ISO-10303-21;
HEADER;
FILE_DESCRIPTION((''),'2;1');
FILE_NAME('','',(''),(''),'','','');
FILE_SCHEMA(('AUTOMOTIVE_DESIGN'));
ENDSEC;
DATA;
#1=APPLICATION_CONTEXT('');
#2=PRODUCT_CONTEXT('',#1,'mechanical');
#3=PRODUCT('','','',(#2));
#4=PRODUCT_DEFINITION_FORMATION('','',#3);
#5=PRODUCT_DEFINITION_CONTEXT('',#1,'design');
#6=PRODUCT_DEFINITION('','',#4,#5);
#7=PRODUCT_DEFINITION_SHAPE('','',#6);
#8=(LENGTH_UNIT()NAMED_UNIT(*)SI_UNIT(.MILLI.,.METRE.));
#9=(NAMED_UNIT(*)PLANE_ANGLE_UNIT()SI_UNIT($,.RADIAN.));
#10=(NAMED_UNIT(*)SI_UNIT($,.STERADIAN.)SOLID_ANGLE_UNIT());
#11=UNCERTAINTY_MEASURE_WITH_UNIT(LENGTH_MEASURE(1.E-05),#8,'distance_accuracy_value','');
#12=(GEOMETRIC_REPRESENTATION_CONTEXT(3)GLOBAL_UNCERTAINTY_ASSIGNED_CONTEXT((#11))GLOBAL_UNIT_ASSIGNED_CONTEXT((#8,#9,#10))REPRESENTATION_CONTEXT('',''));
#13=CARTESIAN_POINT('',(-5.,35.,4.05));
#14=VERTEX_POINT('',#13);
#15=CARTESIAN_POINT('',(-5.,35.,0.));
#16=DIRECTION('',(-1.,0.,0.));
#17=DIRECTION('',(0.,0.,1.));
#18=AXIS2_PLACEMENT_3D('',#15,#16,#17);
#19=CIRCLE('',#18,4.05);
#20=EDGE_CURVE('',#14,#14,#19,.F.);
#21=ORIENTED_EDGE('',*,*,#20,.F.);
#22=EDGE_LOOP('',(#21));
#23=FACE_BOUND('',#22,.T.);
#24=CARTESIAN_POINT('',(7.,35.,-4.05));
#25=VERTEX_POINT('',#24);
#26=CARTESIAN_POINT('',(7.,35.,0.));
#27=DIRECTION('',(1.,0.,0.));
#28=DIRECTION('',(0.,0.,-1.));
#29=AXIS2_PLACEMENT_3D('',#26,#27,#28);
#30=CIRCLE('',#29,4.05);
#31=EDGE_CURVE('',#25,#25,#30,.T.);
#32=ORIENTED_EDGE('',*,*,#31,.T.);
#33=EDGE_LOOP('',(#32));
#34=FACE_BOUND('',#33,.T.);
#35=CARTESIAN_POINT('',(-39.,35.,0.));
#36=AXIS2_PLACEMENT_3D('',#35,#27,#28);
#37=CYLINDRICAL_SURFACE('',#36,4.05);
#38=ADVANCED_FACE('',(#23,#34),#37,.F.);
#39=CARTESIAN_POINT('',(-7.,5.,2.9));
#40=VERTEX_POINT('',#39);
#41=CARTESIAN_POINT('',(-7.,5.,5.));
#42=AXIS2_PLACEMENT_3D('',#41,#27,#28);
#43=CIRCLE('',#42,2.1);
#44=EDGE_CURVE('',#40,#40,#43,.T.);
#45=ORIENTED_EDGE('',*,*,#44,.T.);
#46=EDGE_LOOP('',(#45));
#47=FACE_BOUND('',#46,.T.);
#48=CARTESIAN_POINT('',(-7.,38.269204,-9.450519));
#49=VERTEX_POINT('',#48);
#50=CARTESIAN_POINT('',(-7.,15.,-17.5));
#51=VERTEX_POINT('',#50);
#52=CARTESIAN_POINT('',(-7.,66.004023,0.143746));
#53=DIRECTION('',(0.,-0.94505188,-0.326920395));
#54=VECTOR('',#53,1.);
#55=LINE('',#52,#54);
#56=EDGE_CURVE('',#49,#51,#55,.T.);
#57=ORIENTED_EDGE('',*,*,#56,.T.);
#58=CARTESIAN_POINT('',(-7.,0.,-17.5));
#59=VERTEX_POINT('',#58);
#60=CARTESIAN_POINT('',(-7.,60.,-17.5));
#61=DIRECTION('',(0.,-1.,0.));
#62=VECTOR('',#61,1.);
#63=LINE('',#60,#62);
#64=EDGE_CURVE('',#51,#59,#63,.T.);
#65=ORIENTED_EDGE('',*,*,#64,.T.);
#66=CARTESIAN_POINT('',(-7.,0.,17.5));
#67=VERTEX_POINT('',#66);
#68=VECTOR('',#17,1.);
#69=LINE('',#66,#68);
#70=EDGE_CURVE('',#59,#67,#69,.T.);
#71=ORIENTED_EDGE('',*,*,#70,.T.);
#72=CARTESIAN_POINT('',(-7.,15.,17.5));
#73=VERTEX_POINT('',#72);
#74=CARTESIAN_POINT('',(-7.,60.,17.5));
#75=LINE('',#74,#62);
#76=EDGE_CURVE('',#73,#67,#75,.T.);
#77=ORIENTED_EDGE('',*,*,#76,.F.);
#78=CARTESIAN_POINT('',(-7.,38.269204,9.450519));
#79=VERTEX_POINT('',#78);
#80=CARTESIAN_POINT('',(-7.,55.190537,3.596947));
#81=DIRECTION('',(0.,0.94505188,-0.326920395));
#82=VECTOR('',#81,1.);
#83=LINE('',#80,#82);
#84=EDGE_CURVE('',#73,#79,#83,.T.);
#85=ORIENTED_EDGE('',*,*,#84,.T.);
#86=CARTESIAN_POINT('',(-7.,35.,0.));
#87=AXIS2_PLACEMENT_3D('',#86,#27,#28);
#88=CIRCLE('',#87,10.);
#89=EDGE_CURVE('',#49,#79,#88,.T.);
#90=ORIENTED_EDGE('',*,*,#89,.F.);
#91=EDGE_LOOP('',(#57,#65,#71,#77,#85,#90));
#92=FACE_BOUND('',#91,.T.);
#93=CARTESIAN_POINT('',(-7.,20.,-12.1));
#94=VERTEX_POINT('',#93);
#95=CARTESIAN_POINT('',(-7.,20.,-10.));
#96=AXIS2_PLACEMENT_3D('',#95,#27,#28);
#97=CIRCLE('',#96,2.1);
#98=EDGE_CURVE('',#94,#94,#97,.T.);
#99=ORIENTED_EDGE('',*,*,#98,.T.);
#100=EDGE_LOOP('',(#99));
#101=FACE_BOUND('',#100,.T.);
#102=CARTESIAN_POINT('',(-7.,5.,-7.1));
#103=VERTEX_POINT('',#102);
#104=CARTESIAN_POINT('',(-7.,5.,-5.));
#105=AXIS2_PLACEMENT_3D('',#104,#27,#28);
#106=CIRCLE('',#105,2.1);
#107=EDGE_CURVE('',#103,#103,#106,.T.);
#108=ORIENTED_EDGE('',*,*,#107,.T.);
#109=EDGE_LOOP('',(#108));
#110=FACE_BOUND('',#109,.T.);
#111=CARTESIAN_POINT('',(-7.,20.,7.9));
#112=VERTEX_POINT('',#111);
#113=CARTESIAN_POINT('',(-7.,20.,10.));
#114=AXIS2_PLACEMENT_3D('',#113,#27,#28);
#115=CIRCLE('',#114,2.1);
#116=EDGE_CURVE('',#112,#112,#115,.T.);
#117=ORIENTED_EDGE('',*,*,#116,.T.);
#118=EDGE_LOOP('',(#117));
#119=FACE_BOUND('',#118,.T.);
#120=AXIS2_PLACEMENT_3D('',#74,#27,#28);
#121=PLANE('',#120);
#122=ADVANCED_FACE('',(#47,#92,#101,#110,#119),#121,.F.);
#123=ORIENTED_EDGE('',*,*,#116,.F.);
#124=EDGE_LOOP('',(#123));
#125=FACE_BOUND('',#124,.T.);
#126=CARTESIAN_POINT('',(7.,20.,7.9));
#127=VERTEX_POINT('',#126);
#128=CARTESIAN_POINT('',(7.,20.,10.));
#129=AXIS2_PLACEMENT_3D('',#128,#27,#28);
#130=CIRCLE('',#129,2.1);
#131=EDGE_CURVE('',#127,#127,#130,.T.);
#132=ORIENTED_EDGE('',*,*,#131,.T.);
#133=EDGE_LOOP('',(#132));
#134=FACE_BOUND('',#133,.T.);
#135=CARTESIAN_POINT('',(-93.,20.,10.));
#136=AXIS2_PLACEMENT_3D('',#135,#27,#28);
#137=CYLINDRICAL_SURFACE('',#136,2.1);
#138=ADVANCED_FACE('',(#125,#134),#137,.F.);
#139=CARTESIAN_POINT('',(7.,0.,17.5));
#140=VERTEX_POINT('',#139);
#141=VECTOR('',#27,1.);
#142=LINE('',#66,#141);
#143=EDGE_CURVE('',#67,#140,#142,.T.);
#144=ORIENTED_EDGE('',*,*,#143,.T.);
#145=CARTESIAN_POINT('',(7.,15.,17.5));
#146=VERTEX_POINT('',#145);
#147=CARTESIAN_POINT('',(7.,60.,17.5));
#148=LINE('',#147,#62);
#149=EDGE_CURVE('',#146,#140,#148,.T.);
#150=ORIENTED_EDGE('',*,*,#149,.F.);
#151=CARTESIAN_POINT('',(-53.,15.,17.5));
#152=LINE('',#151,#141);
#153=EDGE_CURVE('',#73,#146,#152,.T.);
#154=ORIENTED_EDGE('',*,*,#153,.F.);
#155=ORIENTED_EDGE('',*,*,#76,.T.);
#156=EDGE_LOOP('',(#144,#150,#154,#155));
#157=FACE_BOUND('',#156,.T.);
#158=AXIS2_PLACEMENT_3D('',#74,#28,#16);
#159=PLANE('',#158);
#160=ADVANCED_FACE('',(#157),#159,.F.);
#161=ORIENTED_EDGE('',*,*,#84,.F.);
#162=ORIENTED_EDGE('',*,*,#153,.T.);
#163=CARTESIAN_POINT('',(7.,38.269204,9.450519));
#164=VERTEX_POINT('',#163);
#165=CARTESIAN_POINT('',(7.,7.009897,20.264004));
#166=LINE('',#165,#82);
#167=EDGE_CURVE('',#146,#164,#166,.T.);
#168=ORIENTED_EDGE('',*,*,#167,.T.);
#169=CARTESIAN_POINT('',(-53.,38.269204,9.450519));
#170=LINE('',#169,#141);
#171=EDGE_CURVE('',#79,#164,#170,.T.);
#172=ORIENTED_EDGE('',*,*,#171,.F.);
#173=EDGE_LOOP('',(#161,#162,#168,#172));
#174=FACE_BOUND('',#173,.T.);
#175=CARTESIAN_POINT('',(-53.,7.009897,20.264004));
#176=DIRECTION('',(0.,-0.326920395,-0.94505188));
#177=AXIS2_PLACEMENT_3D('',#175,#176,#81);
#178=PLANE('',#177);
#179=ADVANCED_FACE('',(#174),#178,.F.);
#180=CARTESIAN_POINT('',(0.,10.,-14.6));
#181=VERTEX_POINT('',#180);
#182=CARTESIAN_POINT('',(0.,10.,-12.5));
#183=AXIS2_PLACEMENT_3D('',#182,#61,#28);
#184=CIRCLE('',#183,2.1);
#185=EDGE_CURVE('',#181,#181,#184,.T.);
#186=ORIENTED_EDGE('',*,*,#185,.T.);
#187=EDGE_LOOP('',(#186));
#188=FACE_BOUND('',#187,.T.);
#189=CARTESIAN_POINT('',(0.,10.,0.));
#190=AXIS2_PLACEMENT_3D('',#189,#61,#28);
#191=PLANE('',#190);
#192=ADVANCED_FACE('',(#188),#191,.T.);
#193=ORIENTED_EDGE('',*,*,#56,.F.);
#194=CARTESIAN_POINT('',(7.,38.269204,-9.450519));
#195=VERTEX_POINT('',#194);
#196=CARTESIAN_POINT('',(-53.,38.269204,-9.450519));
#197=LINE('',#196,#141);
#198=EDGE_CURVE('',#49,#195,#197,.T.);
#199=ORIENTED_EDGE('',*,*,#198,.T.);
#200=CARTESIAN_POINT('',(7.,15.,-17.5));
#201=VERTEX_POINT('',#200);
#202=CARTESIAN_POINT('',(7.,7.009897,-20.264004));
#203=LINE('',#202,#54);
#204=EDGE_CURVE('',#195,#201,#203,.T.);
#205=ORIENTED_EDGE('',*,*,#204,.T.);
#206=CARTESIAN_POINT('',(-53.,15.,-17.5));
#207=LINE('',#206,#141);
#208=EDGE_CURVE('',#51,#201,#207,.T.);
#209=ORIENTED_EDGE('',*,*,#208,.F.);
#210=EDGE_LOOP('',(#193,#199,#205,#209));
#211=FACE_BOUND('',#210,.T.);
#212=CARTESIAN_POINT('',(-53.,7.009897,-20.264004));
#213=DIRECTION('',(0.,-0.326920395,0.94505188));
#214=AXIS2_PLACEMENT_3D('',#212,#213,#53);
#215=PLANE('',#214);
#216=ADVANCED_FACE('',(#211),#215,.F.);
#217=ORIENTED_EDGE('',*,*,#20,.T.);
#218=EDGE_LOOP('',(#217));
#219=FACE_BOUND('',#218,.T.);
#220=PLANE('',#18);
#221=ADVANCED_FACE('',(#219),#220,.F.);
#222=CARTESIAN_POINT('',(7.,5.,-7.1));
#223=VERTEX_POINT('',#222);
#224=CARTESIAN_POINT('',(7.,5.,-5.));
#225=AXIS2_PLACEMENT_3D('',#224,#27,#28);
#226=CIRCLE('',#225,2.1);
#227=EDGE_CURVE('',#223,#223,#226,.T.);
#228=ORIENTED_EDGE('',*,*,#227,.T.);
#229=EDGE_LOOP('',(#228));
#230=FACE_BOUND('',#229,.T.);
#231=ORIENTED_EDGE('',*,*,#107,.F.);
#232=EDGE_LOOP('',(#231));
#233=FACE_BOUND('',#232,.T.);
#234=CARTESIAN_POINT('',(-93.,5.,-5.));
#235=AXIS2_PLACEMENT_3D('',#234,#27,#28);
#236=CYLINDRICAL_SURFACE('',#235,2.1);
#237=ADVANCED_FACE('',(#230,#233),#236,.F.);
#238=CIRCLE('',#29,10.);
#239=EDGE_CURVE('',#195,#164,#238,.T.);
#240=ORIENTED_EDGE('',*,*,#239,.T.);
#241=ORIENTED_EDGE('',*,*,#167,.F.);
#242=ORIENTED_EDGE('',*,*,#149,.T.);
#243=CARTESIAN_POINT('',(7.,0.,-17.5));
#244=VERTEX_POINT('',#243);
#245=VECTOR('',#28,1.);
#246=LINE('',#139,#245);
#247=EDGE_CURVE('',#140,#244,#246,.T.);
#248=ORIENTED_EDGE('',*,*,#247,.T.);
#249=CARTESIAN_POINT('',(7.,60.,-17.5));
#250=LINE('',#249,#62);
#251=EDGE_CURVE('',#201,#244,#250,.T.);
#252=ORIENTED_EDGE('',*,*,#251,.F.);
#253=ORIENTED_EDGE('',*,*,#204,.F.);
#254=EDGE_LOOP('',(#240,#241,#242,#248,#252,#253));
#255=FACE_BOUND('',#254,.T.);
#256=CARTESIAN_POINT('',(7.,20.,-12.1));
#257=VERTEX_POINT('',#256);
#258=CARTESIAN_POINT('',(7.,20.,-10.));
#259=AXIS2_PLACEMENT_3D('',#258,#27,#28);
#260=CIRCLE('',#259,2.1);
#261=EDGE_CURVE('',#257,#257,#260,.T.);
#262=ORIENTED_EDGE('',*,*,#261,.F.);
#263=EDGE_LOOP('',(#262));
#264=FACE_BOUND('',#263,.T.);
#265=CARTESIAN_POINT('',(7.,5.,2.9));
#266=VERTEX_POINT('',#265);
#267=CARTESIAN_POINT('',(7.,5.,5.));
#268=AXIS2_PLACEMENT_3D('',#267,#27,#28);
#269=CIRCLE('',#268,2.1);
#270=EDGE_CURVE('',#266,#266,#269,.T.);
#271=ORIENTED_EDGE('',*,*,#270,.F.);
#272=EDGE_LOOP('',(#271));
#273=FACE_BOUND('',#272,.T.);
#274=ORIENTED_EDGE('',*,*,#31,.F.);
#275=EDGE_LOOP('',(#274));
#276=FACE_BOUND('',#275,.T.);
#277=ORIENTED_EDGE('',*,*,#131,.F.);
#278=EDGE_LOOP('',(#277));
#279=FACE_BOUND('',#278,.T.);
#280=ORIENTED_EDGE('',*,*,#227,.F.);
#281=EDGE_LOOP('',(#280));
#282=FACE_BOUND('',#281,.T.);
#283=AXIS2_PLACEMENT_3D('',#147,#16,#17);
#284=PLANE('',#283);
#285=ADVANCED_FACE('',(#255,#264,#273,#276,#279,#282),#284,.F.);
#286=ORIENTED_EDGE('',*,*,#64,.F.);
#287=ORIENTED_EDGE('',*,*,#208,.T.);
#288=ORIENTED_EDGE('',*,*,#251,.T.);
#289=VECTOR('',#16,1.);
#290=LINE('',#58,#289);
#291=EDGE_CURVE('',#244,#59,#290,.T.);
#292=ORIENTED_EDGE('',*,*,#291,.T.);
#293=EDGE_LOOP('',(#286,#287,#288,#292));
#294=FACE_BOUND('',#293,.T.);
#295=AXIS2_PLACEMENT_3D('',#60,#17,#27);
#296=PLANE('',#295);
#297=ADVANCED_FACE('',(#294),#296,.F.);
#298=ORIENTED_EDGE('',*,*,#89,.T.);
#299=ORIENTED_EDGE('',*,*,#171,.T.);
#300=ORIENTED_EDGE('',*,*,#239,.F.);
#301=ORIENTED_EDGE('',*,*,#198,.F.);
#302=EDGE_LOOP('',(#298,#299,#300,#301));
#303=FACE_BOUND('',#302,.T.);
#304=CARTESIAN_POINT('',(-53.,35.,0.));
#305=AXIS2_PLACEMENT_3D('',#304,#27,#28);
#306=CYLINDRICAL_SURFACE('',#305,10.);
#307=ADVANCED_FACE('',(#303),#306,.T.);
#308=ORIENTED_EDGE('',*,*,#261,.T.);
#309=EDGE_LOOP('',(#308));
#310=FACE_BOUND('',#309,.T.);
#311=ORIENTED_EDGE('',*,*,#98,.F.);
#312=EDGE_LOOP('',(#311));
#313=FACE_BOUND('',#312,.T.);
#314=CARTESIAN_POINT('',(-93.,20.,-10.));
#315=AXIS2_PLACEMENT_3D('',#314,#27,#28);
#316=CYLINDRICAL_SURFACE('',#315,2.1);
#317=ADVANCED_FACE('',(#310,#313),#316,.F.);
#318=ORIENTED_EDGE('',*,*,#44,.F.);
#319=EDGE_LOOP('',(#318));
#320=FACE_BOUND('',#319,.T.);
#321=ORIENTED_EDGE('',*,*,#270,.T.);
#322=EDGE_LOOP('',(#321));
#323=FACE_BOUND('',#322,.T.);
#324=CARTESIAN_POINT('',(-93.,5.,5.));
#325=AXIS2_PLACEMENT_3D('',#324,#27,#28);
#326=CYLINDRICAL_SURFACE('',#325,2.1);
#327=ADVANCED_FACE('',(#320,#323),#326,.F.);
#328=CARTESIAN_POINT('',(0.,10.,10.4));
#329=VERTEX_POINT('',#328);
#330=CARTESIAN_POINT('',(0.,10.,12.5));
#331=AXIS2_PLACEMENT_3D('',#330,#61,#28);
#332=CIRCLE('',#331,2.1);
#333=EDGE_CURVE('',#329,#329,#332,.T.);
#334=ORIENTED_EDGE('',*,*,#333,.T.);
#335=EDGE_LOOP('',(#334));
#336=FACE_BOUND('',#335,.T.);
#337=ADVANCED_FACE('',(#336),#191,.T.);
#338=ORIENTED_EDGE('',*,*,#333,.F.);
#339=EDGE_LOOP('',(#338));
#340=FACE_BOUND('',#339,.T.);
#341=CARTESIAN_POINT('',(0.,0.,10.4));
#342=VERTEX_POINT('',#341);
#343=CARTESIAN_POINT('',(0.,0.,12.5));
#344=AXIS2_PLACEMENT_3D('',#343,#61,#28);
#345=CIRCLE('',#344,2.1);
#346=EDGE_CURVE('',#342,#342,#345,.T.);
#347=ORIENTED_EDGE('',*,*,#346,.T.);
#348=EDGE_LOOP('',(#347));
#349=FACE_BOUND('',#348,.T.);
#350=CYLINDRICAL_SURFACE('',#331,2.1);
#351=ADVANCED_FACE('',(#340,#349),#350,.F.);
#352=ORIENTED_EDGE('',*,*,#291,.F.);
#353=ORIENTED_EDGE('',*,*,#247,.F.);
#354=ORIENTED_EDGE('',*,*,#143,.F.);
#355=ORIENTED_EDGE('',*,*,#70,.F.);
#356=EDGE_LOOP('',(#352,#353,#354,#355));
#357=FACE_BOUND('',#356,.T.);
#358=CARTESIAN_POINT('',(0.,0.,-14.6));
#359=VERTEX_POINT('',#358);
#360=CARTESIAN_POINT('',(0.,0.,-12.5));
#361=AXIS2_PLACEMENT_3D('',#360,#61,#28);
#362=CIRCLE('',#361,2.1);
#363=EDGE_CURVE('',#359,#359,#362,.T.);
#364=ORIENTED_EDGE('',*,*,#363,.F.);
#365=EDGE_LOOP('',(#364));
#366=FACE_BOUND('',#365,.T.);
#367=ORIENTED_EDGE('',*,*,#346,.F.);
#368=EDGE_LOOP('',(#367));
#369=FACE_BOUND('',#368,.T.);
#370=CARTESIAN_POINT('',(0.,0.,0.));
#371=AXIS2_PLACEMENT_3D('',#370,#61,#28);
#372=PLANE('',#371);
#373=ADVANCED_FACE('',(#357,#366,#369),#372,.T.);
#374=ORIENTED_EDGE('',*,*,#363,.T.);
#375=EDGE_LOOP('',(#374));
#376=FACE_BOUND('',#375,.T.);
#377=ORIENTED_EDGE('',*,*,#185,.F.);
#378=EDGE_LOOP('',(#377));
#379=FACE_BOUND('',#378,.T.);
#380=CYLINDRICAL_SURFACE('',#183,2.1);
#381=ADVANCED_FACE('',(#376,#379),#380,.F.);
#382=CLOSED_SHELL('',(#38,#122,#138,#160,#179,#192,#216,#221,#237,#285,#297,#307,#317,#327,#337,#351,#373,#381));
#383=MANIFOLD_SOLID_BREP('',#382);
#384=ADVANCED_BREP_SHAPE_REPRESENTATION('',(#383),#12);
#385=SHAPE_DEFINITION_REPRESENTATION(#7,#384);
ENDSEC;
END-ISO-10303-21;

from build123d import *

# Parameters (mm, degrees)
SKETCH_1_W          = 14
SKETCH_1_H          = 35
EXTRUDE_1_DEPTH     = 60
CUT_EXTRUDE_1_DEPTH = 60
SKETCH_3_R          = 2.1
CUT_EXTRUDE_2_DEPTH = 10
SKETCH_4_R          = 4.05
CUT_EXTRUDE_3_DEPTH = 46
CUT_EXTRUDE_4_DEPTH = 100
SKETCH_7_R          = 4.05
EXTRUDE_3_DEPTH     = 2


with BuildPart() as part:
    # 草图1 → 凸台-拉伸1 (new body)
    with BuildSketch(Plane(origin=(0, 0, 0), x_dir=(1, 0, 0), z_dir=(0, 1, 0))):
        Rectangle(SKETCH_1_W, SKETCH_1_H)
    extrude(amount=EXTRUDE_1_DEPTH)

    # 草图2 → 切除-拉伸1 (cut)
    with BuildSketch(Plane(origin=(7, 0, 0), x_dir=(0, 0, -1), z_dir=(1, 0, 0))):
        with BuildLine():
            Line((-17.5, 15), (-9.450519182, 38.269202838))
            ThreePointArc((-9.450519182, 38.269202838), (-5.87e-07, 45), (9.450518798, 38.269203948))
            Line((9.450518798, 38.269203948), (17.5, 15))
            Line((17.5, 15), (17.5, 60))
            Line((17.5, 60), (-17.5, 60))
            Line((-17.5, 60), (-17.5, 15))
        make_face()
    extrude(amount=-CUT_EXTRUDE_1_DEPTH, mode=Mode.SUBTRACT)

    # 草图3 → 切除-拉伸2 (cut)
    with BuildSketch(Plane.XZ):
        with Locations(Location((0, -12.5, 0), (0, 0, 270))):
            Circle(SKETCH_3_R)
        with Locations(Location((0, 12.5, 0), (0, 0, 270))):
            Circle(SKETCH_3_R)
    extrude(amount=-CUT_EXTRUDE_2_DEPTH, mode=Mode.SUBTRACT)

    # 草图4 → 切除-拉伸3 (cut)
    with BuildSketch(Plane(origin=(7, 0, 0), x_dir=(0, 0, -1), z_dir=(1, 0, 0))):
        with Locations((0, 35)):
            Circle(SKETCH_4_R)
    extrude(amount=-CUT_EXTRUDE_3_DEPTH, mode=Mode.SUBTRACT)

    # 草图5 → 切除-拉伸4 (cut)
    with BuildSketch(Plane(origin=(7, 0, 0), x_dir=(0, 0, -1), z_dir=(1, 0, 0))):
        with BuildLine():
            ThreePointArc((-7.9, 20), (-11.48492424, 21.48492424), (-10, 17.9))
            Line((-10, 17.9), (-10, 20))
            Line((-10, 20), (-7.9, 20))
        make_face()
        with BuildLine():
            Line((-10, 20), (-10, 17.9))
            ThreePointArc((-10, 17.9), (-8.51507576, 18.51507576), (-7.9, 20))
            Line((-7.9, 20), (-10, 20))
        make_face()
        with BuildLine():
            ThreePointArc((-7.9, 20), (-11.48492424, 21.48492424), (-10, 17.9))
            Line((-10, 17.9), (-10, 20))
            Line((-10, 20), (-7.9, 20))
        make_face()
        with BuildLine():
            Line((-10, 20), (-10, 17.9))
            ThreePointArc((-10, 17.9), (-8.51507576, 18.51507576), (-7.9, 20))
            Line((-7.9, 20), (-10, 20))
        make_face()
        with BuildLine():
            ThreePointArc((7.9, 20), (8.51507576, 18.51507576), (10, 17.9))
            Line((10, 17.9), (10, 20))
            Line((10, 20), (7.9, 20))
        make_face()
        with BuildLine():
            Line((10, 20), (10, 17.9))
            ThreePointArc((10, 17.9), (11.48492424, 18.51507576), (12.1, 20))
            ThreePointArc((12.1, 20), (10, 22.1), (7.9, 20))
            Line((7.9, 20), (10, 20))
        make_face()
        with BuildLine():
            ThreePointArc((7.9, 20), (8.51507576, 18.51507576), (10, 17.9))
            Line((10, 17.9), (10, 20))
            Line((10, 20), (7.9, 20))
        make_face()
        with BuildLine():
            Line((10, 20), (10, 17.9))
            ThreePointArc((10, 17.9), (11.48492424, 18.51507576), (12.1, 20))
            ThreePointArc((12.1, 20), (10, 22.1), (7.9, 20))
            Line((7.9, 20), (10, 20))
        make_face()
        with BuildLine():
            ThreePointArc((2.9, 5), (5, 2.9), (7.1, 5))
            Line((7.1, 5), (2.9, 5))
        make_face()
        with BuildLine():
            Line((2.9, 5), (7.1, 5))
            ThreePointArc((7.1, 5), (5, 7.1), (2.9, 5))
        make_face()
        with BuildLine():
            ThreePointArc((2.9, 5), (5, 2.9), (7.1, 5))
            Line((7.1, 5), (2.9, 5))
        make_face()
        with BuildLine():
            Line((2.9, 5), (7.1, 5))
            ThreePointArc((7.1, 5), (5, 7.1), (2.9, 5))
        make_face()
        with BuildLine():
            ThreePointArc((-2.9, 5), (-5, 7.1), (-7.1, 5))
            Line((-7.1, 5), (-2.9, 5))
        make_face()
        with BuildLine():
            Line((-2.9, 5), (-7.1, 5))
            ThreePointArc((-7.1, 5), (-5, 2.9), (-2.9, 5))
        make_face()
        with BuildLine():
            ThreePointArc((-2.9, 5), (-5, 7.1), (-7.1, 5))
            Line((-7.1, 5), (-2.9, 5))
        make_face()
        with BuildLine():
            Line((-2.9, 5), (-7.1, 5))
            ThreePointArc((-7.1, 5), (-5, 2.9), (-2.9, 5))
        make_face()
    extrude(amount=-CUT_EXTRUDE_4_DEPTH, mode=Mode.SUBTRACT)


with BuildPart() as body_2:
    # 草图7 → 凸台-拉伸3 (new body)
    with BuildSketch(Plane.ZY.offset(7)):
        with Locations((0, 35)):
            Circle(SKETCH_7_R)
    extrude(amount=-EXTRUDE_3_DEPTH)


with BuildPart() as part_1:
    add(part.part)

    # Combine 1: union body 2
    add(body_2.part)


solid = part_1.part
